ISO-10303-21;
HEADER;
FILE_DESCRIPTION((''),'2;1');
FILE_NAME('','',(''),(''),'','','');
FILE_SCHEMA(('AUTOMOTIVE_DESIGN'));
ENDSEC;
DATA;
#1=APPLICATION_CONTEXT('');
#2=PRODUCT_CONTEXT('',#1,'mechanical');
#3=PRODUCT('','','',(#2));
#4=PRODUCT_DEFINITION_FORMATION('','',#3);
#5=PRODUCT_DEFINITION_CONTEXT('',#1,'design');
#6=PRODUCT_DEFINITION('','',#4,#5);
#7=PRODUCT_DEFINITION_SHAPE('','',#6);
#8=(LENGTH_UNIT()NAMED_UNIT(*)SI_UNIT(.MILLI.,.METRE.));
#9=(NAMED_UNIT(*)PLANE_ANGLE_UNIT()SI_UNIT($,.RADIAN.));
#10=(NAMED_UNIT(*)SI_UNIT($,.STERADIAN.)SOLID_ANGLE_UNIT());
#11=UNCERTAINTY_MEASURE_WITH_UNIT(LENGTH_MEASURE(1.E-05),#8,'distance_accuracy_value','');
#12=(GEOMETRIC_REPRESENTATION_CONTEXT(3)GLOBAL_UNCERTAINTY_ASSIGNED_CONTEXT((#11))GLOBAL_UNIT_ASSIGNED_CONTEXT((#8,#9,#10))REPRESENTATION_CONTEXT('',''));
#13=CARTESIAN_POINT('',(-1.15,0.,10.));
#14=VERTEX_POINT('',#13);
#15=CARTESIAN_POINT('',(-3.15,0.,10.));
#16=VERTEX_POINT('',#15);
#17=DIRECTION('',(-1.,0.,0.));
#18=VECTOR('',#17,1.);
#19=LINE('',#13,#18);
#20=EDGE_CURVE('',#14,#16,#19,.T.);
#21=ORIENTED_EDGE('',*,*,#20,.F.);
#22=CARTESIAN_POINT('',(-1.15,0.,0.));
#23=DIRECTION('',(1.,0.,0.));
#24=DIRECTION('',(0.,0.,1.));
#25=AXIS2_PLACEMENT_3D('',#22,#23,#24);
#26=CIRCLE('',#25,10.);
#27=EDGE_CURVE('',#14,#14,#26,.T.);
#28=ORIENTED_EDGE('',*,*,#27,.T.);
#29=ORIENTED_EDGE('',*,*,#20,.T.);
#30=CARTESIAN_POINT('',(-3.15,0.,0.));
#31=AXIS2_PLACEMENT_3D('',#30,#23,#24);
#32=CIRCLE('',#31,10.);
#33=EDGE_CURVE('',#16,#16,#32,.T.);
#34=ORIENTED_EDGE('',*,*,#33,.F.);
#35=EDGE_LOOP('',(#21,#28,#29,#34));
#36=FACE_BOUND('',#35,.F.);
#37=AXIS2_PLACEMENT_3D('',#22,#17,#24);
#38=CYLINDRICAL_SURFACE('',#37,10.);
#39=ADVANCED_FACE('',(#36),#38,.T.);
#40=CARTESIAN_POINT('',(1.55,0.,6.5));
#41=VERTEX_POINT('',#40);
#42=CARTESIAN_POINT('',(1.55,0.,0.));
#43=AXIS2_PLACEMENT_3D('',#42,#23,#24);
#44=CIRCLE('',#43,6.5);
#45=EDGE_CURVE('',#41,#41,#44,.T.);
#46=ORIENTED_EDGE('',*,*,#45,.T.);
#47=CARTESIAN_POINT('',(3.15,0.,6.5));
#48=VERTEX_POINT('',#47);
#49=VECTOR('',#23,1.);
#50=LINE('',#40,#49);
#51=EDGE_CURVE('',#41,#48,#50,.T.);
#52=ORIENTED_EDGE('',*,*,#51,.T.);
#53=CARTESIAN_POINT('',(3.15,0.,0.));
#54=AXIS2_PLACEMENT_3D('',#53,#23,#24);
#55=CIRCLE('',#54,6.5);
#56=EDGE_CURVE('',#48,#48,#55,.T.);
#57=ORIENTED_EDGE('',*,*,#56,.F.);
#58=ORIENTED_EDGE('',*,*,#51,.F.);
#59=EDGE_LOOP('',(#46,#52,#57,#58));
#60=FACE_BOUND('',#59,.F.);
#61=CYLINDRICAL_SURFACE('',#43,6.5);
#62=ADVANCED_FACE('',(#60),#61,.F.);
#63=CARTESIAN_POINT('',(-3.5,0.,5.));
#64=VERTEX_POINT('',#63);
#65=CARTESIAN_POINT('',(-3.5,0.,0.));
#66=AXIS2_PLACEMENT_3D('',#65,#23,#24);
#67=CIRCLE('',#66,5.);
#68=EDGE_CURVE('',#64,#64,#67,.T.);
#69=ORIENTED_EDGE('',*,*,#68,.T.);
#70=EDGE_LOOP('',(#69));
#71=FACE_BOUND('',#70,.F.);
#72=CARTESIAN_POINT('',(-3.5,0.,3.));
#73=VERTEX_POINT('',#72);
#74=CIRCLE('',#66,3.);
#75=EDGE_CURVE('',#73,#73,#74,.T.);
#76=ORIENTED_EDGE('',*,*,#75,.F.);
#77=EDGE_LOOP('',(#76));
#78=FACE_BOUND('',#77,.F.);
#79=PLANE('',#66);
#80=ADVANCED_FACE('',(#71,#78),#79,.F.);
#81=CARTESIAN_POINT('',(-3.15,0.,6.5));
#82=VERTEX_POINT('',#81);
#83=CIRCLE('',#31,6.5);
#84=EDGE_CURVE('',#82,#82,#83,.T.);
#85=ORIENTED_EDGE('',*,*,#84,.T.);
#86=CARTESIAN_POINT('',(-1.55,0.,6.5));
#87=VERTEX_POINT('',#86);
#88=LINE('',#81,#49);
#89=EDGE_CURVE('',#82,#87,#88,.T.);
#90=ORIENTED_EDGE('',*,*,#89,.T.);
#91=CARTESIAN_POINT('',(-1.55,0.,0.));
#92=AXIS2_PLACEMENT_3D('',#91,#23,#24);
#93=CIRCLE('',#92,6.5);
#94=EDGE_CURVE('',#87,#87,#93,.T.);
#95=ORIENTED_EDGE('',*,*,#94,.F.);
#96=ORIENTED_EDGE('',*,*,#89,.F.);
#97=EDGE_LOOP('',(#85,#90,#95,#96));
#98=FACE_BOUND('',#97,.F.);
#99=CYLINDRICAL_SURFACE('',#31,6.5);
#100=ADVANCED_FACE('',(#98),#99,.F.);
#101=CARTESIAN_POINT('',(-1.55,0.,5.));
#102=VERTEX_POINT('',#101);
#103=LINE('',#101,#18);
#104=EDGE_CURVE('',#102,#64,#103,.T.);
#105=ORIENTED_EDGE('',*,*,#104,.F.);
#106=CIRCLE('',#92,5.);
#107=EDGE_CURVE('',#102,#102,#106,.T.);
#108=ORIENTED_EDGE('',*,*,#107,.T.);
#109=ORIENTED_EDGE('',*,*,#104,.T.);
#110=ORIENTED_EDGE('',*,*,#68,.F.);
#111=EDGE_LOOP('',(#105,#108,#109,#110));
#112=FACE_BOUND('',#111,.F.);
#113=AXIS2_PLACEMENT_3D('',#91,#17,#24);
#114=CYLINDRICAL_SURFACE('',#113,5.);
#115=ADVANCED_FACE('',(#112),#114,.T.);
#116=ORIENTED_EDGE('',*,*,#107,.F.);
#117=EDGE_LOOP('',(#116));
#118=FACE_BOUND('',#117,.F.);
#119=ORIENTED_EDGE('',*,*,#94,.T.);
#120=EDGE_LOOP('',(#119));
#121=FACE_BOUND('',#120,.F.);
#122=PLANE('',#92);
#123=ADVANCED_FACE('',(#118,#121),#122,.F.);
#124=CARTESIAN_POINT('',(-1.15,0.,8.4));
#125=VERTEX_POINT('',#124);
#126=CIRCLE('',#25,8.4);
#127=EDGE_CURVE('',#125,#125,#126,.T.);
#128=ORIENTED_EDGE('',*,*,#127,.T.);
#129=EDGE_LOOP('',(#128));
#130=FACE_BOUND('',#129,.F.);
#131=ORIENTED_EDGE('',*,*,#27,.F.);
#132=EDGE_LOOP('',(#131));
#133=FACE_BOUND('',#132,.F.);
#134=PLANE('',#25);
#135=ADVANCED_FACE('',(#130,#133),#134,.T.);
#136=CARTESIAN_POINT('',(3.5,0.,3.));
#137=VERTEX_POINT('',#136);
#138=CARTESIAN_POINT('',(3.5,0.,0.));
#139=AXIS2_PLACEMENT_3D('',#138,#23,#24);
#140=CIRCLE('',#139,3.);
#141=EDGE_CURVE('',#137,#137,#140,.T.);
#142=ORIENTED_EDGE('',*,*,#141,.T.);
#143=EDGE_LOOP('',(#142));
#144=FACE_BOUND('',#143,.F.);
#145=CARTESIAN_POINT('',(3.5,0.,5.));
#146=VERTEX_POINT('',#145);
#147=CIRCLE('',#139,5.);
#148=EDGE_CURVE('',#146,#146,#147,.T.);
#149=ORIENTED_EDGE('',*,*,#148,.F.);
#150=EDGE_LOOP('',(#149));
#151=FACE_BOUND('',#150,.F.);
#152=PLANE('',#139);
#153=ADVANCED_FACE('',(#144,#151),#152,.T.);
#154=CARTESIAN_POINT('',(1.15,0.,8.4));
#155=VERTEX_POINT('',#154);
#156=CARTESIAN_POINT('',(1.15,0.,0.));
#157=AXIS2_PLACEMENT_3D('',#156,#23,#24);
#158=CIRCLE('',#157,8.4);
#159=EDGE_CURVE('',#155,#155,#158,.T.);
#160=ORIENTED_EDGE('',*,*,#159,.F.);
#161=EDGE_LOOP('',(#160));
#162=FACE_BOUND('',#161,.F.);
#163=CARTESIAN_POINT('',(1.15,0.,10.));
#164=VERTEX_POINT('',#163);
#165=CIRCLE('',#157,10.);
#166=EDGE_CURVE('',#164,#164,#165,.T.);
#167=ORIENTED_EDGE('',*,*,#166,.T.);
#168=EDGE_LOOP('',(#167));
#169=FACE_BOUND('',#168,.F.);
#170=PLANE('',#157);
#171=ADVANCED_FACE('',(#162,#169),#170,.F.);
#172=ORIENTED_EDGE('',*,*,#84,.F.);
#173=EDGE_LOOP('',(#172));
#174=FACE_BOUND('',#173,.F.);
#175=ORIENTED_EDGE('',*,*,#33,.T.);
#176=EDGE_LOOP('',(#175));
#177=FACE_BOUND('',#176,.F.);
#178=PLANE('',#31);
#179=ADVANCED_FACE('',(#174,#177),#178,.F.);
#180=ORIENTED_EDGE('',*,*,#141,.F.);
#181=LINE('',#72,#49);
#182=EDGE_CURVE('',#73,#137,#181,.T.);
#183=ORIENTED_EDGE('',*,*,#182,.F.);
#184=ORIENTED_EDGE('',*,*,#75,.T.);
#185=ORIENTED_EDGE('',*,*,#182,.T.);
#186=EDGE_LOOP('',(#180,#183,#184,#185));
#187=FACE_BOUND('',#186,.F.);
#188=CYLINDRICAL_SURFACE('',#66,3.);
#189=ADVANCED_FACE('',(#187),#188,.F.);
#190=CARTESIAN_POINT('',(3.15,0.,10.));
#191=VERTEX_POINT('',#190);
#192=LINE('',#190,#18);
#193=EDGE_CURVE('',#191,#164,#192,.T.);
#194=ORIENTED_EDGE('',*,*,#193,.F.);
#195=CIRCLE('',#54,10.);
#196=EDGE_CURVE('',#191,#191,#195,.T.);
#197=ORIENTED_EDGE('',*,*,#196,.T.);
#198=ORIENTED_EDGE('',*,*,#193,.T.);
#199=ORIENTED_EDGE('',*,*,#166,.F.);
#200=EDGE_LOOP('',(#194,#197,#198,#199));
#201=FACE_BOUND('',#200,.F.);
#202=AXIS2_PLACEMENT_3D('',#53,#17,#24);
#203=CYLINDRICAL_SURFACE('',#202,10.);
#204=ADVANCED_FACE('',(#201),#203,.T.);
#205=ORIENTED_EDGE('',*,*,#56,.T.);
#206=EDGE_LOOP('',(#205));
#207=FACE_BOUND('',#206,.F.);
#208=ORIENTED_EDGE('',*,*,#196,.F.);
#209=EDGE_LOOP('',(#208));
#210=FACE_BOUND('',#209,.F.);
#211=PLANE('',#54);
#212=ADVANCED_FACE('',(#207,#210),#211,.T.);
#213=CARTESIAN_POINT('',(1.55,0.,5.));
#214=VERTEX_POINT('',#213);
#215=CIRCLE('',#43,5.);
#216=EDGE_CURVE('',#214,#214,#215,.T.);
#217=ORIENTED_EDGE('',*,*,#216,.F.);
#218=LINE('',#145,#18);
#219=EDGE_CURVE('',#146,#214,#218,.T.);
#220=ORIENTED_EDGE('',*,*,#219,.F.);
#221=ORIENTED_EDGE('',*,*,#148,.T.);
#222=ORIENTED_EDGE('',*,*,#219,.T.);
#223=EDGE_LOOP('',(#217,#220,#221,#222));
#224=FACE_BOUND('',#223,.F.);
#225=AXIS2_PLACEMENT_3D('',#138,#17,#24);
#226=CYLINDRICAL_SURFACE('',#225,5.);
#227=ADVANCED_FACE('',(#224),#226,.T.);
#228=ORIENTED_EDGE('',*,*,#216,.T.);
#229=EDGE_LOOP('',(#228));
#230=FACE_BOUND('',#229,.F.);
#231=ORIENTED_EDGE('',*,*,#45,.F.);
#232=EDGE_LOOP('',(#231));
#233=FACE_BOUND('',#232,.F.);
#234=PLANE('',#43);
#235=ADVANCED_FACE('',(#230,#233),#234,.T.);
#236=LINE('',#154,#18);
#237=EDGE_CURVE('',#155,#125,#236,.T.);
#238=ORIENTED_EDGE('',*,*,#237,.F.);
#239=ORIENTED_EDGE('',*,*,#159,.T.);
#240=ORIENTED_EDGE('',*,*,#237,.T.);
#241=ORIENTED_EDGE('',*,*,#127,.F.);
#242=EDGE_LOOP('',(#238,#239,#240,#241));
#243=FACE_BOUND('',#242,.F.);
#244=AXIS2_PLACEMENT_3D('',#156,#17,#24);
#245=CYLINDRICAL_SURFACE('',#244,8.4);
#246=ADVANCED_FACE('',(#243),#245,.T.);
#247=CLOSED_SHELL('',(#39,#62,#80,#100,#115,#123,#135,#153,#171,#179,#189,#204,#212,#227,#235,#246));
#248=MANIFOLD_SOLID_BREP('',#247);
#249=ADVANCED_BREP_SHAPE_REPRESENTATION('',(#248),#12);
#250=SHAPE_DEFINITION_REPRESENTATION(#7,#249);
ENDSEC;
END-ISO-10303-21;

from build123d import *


with BuildPart() as f1:
    # F0 (on Front) → F1 (revolve)
    with BuildSketch(Plane.XZ):
        Polygon((-1.15, 8.4), (-1.15, 10), (-3.15, 10), (-3.15, 6.5), (-1.55, 6.5), (-1.55, 5), (-3.5, 5), (-3.5, 3), (0, 3), (3.5, 3), (3.5, 5), (1.55, 5), (1.55, 6.5), (3.15, 6.5), (3.15, 10), (1.15, 10), (1.15, 8.4), (0, 8.4), align=None)
    revolve(axis=Axis((0.65245, 0, 0), (1, 0, 0)))


solid = f1.part
